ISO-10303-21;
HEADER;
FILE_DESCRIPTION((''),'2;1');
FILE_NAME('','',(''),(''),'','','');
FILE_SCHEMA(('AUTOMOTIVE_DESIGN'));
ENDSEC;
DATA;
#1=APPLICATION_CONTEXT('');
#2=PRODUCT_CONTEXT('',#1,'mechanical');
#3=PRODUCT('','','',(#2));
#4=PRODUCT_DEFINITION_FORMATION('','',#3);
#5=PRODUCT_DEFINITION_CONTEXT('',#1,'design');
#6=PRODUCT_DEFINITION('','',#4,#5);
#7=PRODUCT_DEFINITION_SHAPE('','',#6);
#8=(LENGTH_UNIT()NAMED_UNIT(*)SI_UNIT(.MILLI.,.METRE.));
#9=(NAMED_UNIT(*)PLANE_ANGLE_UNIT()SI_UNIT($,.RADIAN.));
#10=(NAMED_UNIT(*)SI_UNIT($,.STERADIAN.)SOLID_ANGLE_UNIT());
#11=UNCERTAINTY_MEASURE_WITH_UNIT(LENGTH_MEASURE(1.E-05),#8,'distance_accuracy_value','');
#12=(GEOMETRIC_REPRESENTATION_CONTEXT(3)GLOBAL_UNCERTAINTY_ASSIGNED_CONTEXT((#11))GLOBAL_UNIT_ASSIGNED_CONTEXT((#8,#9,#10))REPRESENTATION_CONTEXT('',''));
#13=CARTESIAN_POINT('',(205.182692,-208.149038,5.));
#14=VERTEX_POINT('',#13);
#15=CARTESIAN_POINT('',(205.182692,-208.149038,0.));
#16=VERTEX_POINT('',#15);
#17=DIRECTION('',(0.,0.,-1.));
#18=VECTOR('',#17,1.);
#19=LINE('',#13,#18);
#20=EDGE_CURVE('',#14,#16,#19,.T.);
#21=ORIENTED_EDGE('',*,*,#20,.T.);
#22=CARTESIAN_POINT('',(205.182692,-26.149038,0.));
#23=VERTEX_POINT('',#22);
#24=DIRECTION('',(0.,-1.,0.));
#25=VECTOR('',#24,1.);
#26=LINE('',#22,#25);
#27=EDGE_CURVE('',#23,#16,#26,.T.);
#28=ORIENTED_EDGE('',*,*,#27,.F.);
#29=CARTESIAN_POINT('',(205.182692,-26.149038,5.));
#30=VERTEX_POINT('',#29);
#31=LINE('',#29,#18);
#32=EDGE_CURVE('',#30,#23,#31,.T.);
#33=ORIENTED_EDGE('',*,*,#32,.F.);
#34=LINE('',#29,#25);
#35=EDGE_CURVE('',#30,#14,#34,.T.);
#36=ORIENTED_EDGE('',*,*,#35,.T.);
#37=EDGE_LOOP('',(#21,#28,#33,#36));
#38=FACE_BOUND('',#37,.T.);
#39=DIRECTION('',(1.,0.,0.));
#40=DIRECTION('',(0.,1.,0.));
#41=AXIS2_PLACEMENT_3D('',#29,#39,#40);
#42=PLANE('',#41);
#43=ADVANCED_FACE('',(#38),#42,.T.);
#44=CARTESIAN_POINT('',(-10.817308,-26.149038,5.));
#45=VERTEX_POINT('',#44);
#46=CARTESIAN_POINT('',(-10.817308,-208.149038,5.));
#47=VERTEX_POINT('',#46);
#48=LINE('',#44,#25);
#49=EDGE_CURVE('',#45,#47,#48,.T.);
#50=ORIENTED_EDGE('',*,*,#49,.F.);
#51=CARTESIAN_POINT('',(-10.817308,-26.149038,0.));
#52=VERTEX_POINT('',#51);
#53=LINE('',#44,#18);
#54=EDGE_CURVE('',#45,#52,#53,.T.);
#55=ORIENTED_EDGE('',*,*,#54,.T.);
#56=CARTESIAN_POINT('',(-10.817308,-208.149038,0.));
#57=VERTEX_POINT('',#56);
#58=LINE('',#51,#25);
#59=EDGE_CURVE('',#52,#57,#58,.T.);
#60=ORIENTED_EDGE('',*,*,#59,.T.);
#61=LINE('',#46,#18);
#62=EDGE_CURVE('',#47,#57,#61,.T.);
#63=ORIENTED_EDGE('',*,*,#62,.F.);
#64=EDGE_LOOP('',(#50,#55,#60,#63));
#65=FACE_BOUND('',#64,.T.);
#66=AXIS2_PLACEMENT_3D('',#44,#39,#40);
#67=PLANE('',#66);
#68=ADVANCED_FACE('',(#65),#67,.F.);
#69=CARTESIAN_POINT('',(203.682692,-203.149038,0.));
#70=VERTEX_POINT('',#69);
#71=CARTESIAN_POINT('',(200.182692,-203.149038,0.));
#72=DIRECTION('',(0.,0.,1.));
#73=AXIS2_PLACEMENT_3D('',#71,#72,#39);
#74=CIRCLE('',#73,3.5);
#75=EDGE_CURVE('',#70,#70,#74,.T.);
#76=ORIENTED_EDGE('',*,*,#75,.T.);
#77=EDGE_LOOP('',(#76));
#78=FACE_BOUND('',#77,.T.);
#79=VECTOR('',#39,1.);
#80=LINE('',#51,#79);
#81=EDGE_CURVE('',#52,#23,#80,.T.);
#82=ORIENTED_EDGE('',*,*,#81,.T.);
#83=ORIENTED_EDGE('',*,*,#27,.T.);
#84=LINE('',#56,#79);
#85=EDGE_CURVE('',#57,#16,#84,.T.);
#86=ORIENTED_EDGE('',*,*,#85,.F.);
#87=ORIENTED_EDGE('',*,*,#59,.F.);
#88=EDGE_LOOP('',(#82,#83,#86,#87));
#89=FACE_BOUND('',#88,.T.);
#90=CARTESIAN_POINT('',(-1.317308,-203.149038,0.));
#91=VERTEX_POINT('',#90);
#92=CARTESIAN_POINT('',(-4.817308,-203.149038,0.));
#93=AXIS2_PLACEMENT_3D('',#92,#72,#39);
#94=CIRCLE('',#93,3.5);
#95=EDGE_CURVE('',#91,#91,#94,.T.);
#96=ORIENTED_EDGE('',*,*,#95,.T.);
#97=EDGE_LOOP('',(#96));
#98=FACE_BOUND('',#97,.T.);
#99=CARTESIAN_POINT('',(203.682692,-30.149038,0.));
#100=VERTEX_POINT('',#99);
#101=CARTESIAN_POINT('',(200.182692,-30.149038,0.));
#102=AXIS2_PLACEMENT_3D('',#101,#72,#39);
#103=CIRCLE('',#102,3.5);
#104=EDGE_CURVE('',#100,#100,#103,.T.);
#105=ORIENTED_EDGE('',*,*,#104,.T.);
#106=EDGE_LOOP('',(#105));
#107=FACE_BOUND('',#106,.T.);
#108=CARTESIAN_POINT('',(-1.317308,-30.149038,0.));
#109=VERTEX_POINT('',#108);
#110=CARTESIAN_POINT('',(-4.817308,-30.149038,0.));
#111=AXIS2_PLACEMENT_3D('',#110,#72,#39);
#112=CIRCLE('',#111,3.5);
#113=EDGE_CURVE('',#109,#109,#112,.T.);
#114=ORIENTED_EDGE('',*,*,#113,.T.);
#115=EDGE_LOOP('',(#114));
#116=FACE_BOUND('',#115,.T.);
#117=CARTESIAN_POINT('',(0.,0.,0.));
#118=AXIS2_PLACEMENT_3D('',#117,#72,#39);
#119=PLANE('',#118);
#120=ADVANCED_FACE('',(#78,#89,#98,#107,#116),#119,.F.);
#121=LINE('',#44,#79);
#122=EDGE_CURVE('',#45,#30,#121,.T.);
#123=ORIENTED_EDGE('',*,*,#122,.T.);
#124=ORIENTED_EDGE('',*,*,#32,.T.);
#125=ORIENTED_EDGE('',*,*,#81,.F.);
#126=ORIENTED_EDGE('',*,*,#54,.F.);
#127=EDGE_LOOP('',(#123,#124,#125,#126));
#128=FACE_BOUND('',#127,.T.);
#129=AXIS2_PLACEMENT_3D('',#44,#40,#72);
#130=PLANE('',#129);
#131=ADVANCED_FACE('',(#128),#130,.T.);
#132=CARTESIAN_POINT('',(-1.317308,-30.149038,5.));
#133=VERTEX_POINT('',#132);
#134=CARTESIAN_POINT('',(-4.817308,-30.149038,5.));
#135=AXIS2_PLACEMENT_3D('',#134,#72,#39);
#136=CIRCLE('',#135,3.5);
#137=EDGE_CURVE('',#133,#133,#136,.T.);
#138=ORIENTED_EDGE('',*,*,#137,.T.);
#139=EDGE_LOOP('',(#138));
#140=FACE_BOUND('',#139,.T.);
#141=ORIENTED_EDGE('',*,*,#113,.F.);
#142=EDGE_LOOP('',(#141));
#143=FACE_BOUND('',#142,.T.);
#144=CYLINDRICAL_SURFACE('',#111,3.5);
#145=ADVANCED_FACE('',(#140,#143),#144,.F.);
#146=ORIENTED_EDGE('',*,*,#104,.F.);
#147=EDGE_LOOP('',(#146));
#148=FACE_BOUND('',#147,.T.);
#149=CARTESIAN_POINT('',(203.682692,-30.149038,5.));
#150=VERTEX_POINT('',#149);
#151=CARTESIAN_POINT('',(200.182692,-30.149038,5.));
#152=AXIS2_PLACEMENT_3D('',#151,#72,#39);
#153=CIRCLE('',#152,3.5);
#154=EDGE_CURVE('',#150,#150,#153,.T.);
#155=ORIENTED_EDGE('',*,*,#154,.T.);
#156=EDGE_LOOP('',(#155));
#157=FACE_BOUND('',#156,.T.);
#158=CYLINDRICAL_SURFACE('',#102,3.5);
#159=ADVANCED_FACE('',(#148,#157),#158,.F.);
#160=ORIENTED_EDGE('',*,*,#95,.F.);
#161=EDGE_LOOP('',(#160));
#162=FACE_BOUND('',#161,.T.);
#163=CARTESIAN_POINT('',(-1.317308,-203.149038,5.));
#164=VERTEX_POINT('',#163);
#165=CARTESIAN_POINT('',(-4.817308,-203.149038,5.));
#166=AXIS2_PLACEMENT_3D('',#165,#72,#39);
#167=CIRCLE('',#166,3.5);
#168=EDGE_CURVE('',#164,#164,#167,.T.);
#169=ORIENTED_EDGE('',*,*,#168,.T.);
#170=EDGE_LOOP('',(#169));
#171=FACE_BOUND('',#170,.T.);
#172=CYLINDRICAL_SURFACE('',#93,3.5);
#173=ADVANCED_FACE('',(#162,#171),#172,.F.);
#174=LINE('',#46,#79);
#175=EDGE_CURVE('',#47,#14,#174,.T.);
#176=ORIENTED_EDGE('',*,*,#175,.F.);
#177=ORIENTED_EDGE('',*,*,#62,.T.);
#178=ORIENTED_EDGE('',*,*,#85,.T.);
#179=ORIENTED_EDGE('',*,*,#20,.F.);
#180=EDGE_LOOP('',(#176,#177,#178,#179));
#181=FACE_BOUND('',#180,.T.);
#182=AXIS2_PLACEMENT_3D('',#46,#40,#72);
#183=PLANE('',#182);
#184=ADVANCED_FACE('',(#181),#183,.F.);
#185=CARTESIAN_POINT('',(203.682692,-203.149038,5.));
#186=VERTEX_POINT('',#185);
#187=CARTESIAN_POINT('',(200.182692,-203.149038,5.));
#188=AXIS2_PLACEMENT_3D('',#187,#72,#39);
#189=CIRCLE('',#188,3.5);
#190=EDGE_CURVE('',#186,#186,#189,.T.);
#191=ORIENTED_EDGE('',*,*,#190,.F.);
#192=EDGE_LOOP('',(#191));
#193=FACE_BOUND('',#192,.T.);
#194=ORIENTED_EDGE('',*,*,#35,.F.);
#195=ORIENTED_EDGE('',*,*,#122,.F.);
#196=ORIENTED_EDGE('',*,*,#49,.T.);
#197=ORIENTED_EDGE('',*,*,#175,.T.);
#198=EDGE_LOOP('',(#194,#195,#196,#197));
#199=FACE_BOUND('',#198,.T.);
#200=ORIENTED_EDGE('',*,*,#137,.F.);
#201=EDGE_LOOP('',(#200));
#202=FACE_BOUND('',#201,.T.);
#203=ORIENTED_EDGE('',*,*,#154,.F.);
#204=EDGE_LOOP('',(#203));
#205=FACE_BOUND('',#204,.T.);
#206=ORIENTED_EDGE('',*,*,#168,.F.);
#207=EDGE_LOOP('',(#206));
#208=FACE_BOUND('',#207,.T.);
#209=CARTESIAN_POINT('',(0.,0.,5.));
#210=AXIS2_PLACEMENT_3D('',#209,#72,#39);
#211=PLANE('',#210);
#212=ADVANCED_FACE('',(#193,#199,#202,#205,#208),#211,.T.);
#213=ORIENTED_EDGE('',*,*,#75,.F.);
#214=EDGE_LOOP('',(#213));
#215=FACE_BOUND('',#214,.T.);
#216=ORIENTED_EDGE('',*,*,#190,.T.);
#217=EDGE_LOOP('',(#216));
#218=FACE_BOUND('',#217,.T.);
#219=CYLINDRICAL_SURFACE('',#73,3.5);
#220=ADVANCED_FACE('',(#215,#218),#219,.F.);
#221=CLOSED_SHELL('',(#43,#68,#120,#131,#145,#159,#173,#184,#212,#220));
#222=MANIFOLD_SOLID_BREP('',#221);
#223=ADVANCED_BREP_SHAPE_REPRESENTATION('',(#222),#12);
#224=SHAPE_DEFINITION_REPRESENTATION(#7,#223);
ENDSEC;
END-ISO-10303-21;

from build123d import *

# Parameters (mm, degrees)
ESQUISSE1_W             = 216
ESQUISSE1_H             = 182
BOSS_EXTRU_2_DEPTH      = 5
ESQUISSE2_R             = 3.5
ENL_V_MAT_EXTRU_1_DEPTH = 293.31996072


with BuildPart() as part:
    # Esquisse1 → Boss.-Extru.2 (new body)
    with BuildSketch(Plane.XY):
        with Locations((97.182692308, -117.149038462)):
            Rectangle(ESQUISSE1_W, ESQUISSE1_H)
    extrude(amount=BOSS_EXTRU_2_DEPTH)

    # Esquisse2 → Enlèv. mat.-Extru.1 (cut, through all)
    with BuildSketch(Plane.XY.offset(5)):
        with Locations((200.182692308, -203.149038462)):
            Circle(ESQUISSE2_R)
        with Locations((-4.817307692, -203.149038462)):
            Circle(ESQUISSE2_R)
        with Locations((-4.817307692, -30.149038462)):
            Circle(ESQUISSE2_R)
        with Locations((200.182692308, -30.149038462)):
            Circle(ESQUISSE2_R)
    extrude(amount=-ENL_V_MAT_EXTRU_1_DEPTH, mode=Mode.SUBTRACT)


solid = part.part
